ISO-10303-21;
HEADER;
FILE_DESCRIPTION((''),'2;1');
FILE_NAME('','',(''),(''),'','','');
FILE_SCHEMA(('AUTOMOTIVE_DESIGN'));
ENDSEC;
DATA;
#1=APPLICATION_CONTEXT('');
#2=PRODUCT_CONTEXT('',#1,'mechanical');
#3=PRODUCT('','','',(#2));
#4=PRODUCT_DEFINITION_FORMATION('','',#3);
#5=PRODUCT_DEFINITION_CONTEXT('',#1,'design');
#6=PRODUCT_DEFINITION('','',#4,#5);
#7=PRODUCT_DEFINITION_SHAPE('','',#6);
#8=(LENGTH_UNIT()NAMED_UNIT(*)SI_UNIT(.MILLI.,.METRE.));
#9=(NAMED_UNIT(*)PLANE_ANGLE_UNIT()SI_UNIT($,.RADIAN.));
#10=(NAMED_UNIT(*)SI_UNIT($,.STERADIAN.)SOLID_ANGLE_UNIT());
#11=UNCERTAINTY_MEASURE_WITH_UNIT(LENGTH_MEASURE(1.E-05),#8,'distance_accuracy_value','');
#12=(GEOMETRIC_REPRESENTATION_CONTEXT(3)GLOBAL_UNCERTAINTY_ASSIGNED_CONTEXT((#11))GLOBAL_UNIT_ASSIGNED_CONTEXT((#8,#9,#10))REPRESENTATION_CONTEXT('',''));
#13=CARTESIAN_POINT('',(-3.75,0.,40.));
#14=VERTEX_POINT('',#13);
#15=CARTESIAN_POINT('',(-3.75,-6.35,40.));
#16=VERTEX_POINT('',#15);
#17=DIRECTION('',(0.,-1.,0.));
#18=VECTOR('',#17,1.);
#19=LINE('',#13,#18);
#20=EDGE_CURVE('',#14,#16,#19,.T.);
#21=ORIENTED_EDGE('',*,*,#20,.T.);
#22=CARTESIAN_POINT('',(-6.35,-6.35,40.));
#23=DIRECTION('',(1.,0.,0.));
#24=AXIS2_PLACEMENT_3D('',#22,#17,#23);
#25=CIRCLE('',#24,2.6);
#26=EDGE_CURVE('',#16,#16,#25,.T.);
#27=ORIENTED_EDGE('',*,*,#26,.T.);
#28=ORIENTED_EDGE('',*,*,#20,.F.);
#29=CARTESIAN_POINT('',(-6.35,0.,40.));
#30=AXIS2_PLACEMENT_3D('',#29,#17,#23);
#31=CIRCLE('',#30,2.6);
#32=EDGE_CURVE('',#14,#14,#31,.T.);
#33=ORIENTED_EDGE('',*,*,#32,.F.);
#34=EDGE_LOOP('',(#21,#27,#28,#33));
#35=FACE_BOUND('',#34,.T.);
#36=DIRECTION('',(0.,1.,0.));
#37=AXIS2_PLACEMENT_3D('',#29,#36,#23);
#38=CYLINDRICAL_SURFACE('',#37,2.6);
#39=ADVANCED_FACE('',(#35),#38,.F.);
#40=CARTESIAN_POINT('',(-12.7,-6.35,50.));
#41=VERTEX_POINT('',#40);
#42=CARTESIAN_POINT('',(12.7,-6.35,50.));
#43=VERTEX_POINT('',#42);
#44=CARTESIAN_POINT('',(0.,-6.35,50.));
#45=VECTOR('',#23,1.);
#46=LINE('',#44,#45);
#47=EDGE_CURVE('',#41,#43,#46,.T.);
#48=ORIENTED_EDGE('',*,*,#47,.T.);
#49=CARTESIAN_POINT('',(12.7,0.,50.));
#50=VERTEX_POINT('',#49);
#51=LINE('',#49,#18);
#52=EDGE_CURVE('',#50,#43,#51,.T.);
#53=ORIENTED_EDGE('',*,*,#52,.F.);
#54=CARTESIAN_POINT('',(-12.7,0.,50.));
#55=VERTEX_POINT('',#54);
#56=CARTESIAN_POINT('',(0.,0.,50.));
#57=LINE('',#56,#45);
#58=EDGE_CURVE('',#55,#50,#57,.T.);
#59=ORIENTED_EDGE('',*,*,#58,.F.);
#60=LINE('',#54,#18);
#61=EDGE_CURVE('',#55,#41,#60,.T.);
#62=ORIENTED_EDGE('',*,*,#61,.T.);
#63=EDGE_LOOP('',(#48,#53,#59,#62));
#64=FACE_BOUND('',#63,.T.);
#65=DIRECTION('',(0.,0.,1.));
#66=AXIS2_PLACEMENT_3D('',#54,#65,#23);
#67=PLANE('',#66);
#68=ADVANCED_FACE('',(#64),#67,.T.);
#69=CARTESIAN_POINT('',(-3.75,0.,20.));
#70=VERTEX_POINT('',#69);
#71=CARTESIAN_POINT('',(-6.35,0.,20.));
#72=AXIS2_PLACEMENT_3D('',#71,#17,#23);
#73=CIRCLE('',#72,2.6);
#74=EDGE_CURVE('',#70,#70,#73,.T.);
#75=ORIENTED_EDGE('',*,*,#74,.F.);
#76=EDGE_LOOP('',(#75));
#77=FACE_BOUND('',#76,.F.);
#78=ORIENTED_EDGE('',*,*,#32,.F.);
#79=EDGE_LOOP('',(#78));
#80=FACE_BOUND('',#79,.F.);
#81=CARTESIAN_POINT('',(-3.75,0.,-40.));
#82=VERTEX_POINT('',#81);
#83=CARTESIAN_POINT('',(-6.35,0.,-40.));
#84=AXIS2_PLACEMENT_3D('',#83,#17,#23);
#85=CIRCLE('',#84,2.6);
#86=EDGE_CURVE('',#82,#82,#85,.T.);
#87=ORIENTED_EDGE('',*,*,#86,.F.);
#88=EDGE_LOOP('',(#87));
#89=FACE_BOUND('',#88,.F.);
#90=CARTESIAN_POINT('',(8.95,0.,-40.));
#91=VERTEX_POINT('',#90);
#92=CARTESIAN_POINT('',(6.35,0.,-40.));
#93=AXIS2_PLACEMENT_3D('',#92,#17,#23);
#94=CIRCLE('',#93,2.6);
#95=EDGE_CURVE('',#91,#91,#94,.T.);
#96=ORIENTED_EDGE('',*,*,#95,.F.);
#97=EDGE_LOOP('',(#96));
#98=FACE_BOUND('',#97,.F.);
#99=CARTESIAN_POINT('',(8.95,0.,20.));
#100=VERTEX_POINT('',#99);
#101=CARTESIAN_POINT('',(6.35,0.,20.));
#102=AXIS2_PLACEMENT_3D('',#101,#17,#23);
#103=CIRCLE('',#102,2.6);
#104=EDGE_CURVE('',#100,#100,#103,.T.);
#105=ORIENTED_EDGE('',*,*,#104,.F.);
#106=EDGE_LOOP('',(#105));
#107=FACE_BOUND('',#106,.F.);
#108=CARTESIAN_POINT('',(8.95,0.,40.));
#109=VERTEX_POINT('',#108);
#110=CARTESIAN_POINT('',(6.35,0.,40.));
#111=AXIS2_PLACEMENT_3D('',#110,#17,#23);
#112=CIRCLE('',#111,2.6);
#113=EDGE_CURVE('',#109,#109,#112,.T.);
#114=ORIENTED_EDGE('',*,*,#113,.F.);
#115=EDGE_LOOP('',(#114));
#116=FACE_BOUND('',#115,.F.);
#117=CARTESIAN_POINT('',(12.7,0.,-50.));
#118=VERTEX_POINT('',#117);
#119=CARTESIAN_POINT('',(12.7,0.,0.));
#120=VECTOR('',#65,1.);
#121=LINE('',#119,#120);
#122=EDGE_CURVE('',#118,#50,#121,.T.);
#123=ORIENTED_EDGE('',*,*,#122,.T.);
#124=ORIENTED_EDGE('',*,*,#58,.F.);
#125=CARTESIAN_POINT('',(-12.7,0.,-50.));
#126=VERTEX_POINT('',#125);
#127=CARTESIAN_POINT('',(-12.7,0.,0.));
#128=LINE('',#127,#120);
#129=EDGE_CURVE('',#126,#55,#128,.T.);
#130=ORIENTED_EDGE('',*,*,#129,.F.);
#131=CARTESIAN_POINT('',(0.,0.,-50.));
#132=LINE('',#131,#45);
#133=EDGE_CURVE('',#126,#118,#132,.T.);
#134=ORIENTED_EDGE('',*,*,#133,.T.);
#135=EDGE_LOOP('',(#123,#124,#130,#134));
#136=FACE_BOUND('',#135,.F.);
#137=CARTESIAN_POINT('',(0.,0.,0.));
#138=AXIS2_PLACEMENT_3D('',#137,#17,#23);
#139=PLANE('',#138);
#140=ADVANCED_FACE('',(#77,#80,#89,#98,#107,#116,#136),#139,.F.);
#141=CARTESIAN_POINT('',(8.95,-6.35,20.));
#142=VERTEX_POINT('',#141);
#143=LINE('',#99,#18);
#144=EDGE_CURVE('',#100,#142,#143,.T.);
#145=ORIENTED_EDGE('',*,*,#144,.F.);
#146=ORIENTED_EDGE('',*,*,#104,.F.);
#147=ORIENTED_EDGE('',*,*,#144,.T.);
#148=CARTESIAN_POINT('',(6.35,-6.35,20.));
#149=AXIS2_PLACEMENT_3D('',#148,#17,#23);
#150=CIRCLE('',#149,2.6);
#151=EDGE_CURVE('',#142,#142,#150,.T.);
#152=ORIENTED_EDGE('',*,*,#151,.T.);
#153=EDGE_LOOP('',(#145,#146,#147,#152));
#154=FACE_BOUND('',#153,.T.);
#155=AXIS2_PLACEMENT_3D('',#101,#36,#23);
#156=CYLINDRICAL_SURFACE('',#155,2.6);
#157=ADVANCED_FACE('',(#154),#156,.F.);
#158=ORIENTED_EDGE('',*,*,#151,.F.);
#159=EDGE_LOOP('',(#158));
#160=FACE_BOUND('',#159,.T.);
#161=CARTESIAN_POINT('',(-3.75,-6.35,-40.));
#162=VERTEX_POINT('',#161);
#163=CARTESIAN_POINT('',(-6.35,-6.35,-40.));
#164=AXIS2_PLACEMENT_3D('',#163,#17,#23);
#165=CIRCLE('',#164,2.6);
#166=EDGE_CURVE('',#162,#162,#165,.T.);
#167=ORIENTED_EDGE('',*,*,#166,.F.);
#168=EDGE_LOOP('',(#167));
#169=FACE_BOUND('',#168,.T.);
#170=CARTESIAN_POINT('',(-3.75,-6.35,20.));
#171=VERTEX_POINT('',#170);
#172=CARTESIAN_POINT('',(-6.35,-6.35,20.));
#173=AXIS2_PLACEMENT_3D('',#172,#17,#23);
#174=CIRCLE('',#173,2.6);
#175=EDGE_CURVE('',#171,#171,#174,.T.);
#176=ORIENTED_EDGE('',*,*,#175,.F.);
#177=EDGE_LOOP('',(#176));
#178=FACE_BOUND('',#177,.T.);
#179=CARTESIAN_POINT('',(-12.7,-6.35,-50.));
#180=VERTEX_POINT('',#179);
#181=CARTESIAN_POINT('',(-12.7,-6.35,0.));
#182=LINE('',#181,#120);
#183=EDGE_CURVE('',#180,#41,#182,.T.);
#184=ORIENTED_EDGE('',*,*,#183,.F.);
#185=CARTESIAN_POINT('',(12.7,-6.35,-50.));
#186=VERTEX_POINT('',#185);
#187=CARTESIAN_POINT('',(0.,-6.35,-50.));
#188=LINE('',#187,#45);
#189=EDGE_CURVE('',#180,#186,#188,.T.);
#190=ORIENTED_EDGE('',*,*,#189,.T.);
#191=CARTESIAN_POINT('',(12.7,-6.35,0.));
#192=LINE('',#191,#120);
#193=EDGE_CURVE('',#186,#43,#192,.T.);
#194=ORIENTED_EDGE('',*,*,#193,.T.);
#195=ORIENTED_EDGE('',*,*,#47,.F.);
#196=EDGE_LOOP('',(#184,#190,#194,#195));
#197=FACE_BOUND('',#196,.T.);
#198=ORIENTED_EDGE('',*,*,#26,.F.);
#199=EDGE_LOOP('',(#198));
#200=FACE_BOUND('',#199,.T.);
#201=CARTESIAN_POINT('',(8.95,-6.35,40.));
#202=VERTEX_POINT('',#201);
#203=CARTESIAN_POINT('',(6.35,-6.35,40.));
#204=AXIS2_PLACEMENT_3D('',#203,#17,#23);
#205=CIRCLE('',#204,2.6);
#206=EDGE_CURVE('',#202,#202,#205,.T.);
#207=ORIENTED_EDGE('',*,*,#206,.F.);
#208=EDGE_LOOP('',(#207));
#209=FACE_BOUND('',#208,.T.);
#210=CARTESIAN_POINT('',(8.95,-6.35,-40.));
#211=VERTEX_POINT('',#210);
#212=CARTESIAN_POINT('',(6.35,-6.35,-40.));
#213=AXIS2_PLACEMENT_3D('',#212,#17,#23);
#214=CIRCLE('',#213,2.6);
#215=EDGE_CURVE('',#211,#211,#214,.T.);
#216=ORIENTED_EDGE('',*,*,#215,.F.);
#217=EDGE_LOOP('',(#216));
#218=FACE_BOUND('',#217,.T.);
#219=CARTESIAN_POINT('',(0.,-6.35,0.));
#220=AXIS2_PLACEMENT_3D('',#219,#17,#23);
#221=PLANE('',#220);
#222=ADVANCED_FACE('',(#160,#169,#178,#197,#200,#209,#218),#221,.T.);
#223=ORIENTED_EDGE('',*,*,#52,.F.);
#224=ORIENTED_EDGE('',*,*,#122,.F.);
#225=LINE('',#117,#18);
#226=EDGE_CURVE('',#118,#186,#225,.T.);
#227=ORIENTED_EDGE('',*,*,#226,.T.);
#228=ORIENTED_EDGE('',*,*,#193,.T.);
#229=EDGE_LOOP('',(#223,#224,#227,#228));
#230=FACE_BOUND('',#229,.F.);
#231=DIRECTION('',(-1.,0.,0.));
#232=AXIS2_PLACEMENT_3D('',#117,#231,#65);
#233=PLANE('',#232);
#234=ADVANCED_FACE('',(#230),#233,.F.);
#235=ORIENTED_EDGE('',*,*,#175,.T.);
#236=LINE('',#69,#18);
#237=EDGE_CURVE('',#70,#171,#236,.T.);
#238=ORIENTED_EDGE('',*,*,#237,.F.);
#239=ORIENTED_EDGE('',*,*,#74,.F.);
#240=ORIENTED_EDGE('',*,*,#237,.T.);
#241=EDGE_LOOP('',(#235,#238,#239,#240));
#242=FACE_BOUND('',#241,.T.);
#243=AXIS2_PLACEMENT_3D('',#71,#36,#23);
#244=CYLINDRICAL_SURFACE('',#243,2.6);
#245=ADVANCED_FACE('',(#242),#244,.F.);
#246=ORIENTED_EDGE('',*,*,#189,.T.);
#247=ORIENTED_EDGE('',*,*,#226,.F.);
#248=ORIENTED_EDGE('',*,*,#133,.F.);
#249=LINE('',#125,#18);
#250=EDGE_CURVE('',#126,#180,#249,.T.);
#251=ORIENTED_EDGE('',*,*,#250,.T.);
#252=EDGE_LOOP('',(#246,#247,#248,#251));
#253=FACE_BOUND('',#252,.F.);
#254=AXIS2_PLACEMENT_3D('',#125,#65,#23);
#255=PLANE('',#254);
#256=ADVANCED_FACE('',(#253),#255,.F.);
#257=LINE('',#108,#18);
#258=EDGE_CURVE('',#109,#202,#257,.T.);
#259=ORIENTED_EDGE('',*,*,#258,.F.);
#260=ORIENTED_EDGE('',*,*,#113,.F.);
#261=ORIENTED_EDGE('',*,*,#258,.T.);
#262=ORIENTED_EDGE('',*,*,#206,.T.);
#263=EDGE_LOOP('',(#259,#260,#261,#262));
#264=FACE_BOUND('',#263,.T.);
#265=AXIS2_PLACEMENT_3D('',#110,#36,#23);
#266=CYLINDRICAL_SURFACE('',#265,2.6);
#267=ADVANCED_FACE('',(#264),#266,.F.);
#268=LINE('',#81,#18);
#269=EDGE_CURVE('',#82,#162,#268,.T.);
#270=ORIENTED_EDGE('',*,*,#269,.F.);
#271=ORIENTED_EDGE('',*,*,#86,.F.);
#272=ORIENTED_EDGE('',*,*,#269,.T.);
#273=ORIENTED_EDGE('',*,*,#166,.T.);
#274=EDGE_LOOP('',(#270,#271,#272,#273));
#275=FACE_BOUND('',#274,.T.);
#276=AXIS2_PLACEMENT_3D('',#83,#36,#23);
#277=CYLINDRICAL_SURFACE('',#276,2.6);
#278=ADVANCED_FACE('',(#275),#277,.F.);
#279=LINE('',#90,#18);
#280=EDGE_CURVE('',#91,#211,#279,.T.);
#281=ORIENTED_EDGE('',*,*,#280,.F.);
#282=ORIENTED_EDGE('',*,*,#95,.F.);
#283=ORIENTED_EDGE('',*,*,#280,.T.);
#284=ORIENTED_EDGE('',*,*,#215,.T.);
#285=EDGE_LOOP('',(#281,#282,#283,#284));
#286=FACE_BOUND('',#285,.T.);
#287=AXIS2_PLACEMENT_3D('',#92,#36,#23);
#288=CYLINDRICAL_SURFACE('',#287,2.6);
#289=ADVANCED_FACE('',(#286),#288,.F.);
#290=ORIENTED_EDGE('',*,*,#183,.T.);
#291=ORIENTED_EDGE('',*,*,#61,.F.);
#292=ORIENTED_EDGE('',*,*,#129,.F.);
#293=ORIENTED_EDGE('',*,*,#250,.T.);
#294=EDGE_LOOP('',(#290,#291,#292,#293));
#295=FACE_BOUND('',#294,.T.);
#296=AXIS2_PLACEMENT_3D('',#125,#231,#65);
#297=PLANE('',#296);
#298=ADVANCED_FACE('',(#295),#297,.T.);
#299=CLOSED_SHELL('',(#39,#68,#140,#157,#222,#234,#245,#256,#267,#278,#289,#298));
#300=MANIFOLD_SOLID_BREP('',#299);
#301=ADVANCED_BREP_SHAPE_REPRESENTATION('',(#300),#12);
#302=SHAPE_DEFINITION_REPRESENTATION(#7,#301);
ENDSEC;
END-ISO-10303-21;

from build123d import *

# Parameters (mm, degrees)
F0_W     = 25.4
F0_H     = 100
F0_R     = 2.6
F1_DEPTH = 6.35


with BuildPart() as f1:
    # F0 (on Front) → F1 (new body)
    with BuildSketch(Plane.XZ):
        Rectangle(F0_W, F0_H)
        with Locations((-6.35, -40)):
            Circle(F0_R, mode=Mode.SUBTRACT)
        with Locations((6.35, -40)):
            Circle(F0_R, mode=Mode.SUBTRACT)
        with Locations((-6.35, 20)):
            Circle(F0_R, mode=Mode.SUBTRACT)
        with Locations((-6.35, 40)):
            Circle(F0_R, mode=Mode.SUBTRACT)
        with Locations((6.35, 20)):
            Circle(F0_R, mode=Mode.SUBTRACT)
        with Locations((6.35, 40)):
            Circle(F0_R, mode=Mode.SUBTRACT)
    extrude(amount=F1_DEPTH)


solid = f1.part
